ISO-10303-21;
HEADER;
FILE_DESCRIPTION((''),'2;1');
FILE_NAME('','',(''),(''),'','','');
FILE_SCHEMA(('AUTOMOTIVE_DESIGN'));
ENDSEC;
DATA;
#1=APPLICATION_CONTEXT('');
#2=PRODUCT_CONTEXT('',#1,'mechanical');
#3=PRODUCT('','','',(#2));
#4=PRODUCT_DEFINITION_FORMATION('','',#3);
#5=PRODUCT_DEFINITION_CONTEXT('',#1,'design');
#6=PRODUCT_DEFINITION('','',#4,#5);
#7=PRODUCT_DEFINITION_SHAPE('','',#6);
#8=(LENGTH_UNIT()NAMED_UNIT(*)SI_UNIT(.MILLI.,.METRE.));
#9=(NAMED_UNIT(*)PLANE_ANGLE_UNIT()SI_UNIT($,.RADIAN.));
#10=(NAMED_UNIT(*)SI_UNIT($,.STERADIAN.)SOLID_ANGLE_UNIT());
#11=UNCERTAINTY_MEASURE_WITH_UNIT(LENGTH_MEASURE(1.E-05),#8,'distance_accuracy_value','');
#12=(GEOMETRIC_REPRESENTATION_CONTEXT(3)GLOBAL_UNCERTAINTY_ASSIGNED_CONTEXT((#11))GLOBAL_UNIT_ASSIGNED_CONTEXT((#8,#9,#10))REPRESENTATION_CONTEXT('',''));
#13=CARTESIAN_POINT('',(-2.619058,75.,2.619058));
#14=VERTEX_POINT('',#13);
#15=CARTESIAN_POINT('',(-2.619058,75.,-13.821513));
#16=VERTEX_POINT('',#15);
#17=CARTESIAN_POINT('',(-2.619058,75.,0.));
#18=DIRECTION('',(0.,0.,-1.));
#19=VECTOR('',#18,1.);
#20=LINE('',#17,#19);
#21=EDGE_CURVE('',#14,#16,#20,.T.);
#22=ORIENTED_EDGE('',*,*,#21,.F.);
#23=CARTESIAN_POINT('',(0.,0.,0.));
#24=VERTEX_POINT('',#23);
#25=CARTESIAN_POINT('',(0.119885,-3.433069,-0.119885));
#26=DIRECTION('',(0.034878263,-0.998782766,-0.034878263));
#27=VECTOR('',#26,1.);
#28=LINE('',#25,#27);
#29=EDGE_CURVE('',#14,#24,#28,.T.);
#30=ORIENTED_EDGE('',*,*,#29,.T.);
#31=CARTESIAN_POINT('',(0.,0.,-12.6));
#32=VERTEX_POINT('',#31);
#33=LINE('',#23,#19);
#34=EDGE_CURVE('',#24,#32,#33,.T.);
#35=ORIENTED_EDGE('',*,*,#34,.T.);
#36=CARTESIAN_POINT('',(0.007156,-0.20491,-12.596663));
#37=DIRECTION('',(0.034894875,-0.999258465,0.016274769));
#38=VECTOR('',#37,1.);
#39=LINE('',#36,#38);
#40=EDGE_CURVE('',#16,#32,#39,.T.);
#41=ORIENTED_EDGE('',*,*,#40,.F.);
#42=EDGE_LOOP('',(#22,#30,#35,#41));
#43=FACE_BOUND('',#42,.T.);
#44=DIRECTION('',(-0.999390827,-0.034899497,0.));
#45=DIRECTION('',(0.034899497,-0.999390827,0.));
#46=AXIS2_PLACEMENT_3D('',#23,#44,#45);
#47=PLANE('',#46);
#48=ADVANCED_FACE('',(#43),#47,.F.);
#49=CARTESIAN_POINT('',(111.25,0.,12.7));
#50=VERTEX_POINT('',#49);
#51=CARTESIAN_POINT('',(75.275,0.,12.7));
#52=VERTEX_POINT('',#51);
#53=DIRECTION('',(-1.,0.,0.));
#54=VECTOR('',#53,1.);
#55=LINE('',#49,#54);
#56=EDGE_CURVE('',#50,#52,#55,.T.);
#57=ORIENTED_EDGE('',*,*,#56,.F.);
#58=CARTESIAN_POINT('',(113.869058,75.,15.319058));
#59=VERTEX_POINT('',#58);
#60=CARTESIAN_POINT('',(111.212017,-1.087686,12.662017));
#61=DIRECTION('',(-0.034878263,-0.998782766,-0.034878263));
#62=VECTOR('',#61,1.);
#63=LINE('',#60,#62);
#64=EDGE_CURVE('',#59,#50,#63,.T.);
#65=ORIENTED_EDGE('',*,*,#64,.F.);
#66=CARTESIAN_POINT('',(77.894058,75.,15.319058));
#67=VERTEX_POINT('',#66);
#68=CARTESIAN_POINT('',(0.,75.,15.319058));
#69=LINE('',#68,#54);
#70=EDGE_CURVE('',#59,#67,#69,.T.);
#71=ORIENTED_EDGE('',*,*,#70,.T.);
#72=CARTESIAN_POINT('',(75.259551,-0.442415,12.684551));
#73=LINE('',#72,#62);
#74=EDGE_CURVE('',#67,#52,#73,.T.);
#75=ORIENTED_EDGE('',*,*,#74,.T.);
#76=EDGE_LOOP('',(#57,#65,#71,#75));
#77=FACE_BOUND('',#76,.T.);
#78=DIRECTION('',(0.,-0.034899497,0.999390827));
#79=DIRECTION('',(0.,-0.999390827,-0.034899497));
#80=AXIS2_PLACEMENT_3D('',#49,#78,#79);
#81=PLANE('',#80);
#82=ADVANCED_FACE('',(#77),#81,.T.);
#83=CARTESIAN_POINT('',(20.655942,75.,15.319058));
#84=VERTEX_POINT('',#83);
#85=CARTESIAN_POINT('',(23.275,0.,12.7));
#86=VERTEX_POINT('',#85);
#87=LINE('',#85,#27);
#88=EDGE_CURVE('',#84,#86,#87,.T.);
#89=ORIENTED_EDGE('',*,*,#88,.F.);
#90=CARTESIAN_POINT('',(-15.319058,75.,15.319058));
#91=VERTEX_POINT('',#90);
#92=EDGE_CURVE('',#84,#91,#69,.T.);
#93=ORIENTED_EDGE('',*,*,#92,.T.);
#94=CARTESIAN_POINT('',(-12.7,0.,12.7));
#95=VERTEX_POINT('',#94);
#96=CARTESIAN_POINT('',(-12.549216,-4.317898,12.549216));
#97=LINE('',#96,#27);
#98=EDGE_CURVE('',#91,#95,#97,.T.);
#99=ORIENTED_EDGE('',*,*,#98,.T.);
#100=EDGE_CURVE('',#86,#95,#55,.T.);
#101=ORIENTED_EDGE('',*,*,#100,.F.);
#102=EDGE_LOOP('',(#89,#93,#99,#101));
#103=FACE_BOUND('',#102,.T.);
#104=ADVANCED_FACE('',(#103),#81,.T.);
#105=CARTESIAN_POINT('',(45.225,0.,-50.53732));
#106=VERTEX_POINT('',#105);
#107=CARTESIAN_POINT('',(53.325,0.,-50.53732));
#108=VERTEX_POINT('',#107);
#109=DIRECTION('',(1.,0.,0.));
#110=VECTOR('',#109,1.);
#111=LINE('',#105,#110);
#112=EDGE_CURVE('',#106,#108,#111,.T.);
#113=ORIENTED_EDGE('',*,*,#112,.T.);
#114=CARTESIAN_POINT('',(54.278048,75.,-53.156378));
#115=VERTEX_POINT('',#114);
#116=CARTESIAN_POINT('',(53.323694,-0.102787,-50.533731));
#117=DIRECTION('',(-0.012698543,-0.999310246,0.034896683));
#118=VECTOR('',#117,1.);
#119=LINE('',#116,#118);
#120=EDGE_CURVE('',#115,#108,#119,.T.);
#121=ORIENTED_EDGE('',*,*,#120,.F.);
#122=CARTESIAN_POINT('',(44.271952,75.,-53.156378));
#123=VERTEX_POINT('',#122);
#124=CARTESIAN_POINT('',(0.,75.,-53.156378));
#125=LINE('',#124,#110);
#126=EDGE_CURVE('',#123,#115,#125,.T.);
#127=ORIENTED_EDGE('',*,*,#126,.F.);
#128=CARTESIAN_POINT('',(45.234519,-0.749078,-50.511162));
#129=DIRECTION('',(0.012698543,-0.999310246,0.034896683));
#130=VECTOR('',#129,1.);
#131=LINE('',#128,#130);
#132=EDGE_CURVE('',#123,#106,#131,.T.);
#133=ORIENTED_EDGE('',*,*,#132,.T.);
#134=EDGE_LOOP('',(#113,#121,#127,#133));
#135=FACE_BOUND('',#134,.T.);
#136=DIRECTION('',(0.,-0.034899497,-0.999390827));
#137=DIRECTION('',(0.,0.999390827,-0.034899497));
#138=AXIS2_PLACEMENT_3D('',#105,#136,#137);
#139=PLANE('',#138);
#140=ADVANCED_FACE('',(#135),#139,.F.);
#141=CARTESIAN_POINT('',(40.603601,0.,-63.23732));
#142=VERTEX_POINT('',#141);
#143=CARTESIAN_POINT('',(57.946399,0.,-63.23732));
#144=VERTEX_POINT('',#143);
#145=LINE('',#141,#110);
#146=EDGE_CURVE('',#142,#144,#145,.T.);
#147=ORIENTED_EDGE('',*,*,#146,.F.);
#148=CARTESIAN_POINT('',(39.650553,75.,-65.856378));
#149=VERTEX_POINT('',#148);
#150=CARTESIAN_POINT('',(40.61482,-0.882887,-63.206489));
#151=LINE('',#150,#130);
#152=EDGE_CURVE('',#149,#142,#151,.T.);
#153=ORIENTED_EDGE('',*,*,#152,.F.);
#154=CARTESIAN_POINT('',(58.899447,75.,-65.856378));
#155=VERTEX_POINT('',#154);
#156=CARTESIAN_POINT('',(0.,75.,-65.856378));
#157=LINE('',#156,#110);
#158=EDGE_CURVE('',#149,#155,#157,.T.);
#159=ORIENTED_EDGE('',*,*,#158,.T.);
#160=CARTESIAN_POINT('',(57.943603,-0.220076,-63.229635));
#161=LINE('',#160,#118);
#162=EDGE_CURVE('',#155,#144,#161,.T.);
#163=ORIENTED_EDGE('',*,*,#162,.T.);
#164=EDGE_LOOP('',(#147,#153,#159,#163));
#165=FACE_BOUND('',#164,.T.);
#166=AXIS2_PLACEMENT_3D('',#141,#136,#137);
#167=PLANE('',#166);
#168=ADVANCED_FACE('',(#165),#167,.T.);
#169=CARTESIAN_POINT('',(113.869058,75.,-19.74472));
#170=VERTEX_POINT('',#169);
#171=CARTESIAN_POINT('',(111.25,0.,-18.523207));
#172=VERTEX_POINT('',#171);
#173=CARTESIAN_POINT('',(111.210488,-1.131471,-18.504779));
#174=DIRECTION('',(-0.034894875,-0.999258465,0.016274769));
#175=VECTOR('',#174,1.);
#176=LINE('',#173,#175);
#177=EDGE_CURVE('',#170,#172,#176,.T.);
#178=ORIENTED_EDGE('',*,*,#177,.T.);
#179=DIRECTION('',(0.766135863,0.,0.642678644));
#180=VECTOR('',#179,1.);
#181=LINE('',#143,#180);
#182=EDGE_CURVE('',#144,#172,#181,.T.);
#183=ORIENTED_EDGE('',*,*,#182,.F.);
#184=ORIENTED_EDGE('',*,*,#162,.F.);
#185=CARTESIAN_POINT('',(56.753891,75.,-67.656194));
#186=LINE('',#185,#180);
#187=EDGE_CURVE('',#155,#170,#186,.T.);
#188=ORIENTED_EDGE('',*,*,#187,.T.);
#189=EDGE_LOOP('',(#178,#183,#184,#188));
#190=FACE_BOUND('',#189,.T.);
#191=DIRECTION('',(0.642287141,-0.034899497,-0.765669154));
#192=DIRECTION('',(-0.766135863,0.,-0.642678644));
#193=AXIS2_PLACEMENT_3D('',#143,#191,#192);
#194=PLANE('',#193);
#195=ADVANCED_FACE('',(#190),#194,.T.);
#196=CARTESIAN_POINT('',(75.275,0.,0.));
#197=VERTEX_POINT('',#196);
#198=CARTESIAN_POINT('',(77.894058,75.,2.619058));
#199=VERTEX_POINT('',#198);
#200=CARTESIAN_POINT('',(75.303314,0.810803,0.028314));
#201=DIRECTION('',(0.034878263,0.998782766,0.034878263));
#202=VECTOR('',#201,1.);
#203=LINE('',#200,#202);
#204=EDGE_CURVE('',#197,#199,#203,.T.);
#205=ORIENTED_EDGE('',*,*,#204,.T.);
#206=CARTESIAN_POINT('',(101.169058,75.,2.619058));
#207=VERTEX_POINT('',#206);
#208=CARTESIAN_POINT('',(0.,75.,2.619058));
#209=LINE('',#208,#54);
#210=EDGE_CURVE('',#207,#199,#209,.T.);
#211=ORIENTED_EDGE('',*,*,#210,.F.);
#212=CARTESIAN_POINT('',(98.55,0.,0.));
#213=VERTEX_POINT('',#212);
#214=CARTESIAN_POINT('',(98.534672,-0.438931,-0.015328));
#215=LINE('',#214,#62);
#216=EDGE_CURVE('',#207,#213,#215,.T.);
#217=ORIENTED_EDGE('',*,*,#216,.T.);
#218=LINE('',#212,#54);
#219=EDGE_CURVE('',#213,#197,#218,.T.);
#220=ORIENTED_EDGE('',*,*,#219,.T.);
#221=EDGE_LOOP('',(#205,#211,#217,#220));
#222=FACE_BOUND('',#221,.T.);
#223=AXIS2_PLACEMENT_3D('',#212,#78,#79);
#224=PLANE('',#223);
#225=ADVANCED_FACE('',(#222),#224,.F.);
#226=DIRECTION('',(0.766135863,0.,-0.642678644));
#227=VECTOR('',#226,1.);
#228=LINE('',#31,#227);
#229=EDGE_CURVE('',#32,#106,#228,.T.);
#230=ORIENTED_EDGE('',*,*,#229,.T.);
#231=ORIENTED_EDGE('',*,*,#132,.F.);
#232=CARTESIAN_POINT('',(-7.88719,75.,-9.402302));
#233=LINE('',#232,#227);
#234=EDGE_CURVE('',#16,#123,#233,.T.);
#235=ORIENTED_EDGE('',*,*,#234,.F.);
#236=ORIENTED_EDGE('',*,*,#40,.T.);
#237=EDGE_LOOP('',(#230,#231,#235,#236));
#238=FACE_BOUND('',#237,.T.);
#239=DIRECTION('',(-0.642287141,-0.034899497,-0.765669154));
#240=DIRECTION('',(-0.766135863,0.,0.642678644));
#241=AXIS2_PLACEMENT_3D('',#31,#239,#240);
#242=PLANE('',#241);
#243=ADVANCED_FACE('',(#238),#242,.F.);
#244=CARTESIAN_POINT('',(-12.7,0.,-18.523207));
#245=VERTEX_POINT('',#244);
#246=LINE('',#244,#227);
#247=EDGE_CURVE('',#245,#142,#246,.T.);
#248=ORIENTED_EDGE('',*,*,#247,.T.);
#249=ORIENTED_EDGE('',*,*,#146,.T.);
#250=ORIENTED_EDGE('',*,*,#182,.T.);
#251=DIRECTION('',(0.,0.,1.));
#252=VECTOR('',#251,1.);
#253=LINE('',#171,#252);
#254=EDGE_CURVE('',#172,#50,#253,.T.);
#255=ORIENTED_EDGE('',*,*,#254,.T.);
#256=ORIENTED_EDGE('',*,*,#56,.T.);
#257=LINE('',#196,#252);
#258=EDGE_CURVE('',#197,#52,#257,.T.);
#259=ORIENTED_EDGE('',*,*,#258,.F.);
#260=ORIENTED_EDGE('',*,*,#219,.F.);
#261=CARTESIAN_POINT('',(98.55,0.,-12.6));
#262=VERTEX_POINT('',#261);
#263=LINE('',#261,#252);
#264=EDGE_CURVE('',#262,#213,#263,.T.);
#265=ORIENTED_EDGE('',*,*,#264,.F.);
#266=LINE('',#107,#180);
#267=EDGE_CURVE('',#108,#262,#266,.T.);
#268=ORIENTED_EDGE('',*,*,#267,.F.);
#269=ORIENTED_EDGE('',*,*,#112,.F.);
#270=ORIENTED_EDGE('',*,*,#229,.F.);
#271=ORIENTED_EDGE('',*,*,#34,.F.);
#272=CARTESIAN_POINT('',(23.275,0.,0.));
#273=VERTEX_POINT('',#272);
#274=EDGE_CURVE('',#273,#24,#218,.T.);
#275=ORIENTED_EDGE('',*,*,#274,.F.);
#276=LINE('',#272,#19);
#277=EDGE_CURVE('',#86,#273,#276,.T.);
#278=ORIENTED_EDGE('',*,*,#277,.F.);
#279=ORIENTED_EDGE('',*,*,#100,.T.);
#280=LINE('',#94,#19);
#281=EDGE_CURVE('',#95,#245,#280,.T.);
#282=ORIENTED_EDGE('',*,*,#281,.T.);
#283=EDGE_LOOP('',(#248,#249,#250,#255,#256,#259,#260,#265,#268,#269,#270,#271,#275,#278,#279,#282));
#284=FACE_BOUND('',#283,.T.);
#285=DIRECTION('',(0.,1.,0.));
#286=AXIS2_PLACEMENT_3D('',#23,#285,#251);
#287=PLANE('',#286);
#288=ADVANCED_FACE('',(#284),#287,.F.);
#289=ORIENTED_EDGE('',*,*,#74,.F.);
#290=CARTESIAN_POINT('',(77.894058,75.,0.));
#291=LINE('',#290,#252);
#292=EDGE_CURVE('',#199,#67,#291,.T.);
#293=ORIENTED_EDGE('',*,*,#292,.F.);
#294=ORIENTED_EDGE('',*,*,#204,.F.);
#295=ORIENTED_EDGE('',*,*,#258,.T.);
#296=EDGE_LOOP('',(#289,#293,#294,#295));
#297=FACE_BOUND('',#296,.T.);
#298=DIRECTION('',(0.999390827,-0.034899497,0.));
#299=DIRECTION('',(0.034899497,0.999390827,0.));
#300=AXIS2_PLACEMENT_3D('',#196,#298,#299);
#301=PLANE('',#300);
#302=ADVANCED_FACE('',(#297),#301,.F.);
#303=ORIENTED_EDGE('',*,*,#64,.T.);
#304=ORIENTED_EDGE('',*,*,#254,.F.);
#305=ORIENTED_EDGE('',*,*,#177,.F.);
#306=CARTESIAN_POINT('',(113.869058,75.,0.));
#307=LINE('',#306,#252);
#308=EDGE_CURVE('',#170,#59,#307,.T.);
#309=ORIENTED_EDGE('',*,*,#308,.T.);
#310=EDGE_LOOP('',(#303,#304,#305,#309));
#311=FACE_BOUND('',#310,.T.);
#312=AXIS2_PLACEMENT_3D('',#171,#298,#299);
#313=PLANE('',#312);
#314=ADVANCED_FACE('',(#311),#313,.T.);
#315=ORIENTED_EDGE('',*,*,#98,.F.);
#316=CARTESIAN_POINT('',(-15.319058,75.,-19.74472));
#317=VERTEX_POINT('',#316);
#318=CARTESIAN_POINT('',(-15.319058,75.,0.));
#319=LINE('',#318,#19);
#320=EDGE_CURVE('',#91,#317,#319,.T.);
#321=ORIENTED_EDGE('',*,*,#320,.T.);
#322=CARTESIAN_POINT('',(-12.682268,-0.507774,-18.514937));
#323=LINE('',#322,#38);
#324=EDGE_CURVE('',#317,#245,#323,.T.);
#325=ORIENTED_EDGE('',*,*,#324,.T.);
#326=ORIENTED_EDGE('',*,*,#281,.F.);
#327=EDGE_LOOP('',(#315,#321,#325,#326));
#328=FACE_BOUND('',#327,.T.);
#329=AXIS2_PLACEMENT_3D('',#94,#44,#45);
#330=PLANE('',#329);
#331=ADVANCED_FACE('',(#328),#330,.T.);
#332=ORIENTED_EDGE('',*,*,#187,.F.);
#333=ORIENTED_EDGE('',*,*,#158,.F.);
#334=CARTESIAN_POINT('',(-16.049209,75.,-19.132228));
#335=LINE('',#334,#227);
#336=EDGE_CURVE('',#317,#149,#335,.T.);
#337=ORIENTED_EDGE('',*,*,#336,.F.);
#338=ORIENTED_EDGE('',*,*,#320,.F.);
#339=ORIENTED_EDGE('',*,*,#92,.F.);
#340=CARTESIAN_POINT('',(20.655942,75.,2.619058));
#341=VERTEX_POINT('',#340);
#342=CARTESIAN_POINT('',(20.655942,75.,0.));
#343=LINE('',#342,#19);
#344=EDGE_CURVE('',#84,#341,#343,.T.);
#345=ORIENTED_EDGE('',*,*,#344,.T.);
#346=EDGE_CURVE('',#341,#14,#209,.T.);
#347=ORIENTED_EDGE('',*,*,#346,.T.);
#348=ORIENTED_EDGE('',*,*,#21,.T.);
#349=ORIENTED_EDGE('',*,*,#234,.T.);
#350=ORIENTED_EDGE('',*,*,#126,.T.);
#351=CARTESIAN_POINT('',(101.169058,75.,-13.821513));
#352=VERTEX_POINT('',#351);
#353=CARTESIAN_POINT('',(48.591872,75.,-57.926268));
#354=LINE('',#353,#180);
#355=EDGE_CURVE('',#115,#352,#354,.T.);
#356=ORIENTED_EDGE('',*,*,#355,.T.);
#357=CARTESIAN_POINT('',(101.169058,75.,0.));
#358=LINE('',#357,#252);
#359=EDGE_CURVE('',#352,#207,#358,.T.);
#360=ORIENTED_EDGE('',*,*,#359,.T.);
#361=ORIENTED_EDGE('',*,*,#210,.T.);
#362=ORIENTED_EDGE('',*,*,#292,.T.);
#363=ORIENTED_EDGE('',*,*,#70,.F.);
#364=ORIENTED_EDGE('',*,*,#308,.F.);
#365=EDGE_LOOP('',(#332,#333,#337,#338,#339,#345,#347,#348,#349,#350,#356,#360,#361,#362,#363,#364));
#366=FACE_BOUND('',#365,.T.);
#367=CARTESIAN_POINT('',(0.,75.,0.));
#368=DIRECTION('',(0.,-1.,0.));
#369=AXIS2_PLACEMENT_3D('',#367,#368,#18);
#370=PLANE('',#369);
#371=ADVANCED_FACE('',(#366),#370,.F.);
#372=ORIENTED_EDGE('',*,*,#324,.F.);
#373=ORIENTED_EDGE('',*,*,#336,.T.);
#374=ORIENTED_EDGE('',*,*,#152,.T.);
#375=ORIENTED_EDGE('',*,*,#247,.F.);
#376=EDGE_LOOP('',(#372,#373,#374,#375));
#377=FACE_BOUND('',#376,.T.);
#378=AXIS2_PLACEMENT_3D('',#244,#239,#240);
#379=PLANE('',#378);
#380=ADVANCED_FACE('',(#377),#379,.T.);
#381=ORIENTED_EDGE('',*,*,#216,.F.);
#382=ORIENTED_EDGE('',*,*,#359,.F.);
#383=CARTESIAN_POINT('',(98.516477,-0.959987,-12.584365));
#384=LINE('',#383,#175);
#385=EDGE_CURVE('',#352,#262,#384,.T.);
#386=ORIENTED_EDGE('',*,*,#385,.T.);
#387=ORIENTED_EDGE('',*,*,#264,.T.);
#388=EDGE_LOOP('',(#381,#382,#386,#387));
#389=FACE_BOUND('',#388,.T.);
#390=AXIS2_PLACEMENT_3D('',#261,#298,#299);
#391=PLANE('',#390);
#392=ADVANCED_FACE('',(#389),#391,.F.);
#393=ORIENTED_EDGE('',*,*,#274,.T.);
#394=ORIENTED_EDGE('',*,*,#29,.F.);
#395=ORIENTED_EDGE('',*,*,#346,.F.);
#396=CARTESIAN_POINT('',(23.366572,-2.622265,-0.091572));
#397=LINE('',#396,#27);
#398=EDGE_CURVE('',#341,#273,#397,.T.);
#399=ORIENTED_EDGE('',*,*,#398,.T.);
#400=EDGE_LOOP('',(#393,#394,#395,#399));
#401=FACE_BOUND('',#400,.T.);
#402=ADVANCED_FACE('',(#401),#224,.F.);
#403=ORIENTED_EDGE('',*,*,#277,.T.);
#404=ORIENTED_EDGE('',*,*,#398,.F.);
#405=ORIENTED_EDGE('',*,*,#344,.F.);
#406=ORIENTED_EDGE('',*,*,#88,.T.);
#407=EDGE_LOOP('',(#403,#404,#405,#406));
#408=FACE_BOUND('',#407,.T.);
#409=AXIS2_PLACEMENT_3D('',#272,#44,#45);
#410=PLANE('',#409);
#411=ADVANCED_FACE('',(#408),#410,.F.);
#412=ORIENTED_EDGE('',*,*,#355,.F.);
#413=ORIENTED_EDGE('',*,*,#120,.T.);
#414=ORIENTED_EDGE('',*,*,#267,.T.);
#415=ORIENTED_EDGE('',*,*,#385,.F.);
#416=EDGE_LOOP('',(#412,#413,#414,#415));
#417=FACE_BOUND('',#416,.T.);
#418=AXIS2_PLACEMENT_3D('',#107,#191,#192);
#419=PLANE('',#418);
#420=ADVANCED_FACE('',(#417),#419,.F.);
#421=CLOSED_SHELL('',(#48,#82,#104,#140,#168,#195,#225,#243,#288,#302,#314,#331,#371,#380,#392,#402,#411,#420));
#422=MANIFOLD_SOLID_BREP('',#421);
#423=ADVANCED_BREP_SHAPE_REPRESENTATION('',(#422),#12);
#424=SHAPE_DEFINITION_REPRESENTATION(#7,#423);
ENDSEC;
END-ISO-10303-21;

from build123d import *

# Parameters (mm, degrees)
SALIENTE_EXTRUIR1_DEPTH = 8
SALIENTE_EXTRUIR1_TAPER = -2
SALIENTE_EXTRUIR3_DEPTH = 75
SALIENTE_EXTRUIR3_TAPER = -2
CORTAR_EXTRUIR3_DEPTH   = 76.0000001
CORTAR_EXTRUIR3_TAPER   = -2
CROQUIS14_W             = 52
CROQUIS14_H             = 12.7
CORTAR_EXTRUIR4_DEPTH   = 76.0000001
CORTAR_EXTRUIR4_TAPER   = -2


with BuildPart() as part:
    # Croquis1 → Saliente-Extruir1 (new body)
    with BuildSketch(Plane(origin=(0, 0, 0), x_dir=(1, 0, 0), z_dir=(0, 1, 0))):
        Polygon((0, 0), (98.55, 0), (98.55, 12.6), (53.325, 50.537320346), (45.225, 50.537320346), (0, 12.6), align=None)
    extrude(amount=SALIENTE_EXTRUIR1_DEPTH, taper=SALIENTE_EXTRUIR1_TAPER)

    # Croquis10 → Saliente-Extruir3 (add)
    with BuildSketch(Plane.XZ):
        Polygon((-12.7, 12.7), (-12.7, -18.52320689), (40.60360085, -63.237320346), (57.94639915, -63.237320346), (111.25, -18.52320689), (111.25, 12.7), align=None)
    extrude(amount=-SALIENTE_EXTRUIR3_DEPTH, taper=SALIENTE_EXTRUIR3_TAPER)

    # Croquis11 → Cortar-Extruir3 (cut, through all)
    with BuildSketch(Plane.XZ):
        Polygon((98.55, 0), (0, 0), (0, -12.6), (45.225, -50.537320346), (53.325, -50.537320346), (98.55, -12.6), align=None)
    extrude(amount=-CORTAR_EXTRUIR3_DEPTH, taper=CORTAR_EXTRUIR3_TAPER, mode=Mode.SUBTRACT)

    # Croquis14 → Cortar-Extruir4 (cut, through all)
    with BuildSketch(Plane.XZ):
        with Locations((49.275, 6.35)):
            Rectangle(CROQUIS14_W, CROQUIS14_H)
    extrude(amount=-CORTAR_EXTRUIR4_DEPTH, taper=CORTAR_EXTRUIR4_TAPER, mode=Mode.SUBTRACT)


solid = part.part
